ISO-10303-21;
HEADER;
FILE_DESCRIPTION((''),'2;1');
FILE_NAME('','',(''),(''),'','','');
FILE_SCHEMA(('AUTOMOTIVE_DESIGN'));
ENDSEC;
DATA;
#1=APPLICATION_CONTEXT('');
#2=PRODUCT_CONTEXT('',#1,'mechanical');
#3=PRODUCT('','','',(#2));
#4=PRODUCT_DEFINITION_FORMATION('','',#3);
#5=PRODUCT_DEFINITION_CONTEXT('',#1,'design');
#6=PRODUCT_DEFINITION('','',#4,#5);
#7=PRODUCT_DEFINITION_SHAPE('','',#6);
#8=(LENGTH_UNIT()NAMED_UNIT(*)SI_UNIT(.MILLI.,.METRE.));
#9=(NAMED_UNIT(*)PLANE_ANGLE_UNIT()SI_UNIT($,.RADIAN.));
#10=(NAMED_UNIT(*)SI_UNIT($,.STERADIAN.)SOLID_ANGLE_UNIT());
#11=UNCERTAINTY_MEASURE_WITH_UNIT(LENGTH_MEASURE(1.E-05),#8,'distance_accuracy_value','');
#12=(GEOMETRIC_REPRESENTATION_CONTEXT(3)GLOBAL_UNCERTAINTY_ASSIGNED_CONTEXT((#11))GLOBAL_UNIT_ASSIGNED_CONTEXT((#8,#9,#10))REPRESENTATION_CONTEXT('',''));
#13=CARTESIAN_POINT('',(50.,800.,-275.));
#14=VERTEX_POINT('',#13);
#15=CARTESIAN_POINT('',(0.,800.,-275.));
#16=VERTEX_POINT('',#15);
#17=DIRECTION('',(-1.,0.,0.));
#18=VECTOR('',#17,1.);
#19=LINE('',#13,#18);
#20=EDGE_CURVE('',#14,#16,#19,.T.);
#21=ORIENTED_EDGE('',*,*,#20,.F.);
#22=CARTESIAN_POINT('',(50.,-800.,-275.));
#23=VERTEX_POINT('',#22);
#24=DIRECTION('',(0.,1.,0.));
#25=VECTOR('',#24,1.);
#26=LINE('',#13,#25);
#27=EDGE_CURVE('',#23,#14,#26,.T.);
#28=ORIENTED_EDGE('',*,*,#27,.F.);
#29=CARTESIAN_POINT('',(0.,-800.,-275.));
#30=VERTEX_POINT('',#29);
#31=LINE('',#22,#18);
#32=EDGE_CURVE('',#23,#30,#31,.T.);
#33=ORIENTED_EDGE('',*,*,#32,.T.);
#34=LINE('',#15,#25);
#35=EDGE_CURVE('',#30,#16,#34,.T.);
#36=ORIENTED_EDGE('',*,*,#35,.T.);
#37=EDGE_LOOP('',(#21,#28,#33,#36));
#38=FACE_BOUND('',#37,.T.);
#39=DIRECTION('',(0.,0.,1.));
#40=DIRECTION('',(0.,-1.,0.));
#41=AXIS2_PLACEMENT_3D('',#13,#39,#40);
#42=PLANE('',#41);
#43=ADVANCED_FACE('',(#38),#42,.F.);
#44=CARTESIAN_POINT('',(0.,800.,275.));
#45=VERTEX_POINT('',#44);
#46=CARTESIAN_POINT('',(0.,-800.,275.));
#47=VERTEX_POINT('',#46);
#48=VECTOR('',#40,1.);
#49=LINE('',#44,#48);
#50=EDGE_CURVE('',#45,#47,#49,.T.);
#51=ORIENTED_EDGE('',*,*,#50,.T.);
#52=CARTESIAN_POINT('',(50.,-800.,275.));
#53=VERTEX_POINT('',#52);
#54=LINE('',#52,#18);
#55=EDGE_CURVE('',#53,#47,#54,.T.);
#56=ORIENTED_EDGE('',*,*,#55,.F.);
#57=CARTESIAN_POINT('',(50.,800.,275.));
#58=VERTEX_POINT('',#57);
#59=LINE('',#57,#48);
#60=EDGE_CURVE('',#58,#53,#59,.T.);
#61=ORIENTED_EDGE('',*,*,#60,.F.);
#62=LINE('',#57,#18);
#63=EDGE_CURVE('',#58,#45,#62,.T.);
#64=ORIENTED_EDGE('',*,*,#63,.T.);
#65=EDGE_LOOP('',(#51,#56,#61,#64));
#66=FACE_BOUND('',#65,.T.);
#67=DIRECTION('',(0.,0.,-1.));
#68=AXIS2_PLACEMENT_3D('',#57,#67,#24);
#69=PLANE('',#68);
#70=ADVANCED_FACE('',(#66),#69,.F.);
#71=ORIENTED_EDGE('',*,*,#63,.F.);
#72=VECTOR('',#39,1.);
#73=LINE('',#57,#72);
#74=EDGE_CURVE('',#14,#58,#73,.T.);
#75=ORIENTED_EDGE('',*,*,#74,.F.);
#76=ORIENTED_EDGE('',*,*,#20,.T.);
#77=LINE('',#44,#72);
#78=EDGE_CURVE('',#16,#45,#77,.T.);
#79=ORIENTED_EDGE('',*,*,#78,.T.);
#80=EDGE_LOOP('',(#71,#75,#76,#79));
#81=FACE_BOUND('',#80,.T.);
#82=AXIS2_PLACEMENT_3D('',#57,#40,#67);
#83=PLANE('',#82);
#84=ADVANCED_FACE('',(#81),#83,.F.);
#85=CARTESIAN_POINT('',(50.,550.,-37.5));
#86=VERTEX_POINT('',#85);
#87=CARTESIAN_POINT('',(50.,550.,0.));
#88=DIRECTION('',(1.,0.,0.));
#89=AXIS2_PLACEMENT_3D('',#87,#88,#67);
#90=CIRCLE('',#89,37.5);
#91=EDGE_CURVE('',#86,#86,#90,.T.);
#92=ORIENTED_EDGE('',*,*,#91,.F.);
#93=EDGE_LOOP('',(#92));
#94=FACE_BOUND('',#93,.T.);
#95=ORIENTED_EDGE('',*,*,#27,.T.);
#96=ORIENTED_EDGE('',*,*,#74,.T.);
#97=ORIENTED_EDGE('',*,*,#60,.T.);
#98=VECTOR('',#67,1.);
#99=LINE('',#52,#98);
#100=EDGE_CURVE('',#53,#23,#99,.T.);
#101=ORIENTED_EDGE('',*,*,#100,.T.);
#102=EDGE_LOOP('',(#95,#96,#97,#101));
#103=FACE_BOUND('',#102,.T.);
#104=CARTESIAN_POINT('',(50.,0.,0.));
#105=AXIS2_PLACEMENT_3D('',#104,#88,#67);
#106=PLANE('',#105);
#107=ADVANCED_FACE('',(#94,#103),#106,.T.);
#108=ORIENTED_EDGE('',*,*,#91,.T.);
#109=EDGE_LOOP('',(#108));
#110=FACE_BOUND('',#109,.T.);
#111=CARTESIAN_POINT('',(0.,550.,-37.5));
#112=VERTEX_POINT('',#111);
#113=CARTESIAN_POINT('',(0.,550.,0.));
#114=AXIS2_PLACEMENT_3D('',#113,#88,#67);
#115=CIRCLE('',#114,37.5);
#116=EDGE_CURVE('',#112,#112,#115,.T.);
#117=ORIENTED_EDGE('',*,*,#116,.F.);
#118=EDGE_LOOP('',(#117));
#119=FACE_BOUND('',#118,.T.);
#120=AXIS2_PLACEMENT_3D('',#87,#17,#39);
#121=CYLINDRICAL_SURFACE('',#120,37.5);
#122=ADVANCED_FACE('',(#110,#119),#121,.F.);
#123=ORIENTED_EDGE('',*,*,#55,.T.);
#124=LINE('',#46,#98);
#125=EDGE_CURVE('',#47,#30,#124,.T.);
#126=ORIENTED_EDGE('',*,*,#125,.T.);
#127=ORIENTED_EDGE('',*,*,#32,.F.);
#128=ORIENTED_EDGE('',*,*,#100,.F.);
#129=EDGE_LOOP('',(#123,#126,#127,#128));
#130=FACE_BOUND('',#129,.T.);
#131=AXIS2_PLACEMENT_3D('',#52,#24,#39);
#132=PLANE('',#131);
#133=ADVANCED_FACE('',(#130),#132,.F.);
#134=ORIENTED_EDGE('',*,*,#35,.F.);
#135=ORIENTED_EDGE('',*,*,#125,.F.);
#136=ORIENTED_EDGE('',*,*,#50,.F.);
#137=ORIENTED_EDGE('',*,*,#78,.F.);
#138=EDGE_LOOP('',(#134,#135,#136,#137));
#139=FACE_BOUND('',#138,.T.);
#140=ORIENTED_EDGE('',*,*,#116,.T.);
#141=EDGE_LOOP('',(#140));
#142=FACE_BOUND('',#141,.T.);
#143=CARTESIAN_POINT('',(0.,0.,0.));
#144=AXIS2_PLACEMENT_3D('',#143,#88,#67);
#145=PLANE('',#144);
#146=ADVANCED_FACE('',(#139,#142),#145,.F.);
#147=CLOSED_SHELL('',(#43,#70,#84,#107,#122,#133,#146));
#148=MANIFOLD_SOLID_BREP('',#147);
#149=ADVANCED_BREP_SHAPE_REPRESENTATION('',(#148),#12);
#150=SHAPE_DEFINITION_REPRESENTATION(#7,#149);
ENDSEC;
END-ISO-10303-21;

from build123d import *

# Parameters (mm, degrees)
CROQUIS1_W              = 550
CROQUIS1_H              = 1600
CROQUIS1_R              = 37.5
SALIENTE_EXTRUIR1_DEPTH = 50


with BuildPart() as part:
    # Croquis1 → Saliente-Extruir1 (new body)
    with BuildSketch(Plane(origin=(0, 0, 0), x_dir=(0, 0, -1), z_dir=(1, 0, 0))):
        Rectangle(CROQUIS1_W, CROQUIS1_H)
        with Locations((0, 550)):
            Circle(CROQUIS1_R, mode=Mode.SUBTRACT)
    extrude(amount=SALIENTE_EXTRUIR1_DEPTH)


solid = part.part
